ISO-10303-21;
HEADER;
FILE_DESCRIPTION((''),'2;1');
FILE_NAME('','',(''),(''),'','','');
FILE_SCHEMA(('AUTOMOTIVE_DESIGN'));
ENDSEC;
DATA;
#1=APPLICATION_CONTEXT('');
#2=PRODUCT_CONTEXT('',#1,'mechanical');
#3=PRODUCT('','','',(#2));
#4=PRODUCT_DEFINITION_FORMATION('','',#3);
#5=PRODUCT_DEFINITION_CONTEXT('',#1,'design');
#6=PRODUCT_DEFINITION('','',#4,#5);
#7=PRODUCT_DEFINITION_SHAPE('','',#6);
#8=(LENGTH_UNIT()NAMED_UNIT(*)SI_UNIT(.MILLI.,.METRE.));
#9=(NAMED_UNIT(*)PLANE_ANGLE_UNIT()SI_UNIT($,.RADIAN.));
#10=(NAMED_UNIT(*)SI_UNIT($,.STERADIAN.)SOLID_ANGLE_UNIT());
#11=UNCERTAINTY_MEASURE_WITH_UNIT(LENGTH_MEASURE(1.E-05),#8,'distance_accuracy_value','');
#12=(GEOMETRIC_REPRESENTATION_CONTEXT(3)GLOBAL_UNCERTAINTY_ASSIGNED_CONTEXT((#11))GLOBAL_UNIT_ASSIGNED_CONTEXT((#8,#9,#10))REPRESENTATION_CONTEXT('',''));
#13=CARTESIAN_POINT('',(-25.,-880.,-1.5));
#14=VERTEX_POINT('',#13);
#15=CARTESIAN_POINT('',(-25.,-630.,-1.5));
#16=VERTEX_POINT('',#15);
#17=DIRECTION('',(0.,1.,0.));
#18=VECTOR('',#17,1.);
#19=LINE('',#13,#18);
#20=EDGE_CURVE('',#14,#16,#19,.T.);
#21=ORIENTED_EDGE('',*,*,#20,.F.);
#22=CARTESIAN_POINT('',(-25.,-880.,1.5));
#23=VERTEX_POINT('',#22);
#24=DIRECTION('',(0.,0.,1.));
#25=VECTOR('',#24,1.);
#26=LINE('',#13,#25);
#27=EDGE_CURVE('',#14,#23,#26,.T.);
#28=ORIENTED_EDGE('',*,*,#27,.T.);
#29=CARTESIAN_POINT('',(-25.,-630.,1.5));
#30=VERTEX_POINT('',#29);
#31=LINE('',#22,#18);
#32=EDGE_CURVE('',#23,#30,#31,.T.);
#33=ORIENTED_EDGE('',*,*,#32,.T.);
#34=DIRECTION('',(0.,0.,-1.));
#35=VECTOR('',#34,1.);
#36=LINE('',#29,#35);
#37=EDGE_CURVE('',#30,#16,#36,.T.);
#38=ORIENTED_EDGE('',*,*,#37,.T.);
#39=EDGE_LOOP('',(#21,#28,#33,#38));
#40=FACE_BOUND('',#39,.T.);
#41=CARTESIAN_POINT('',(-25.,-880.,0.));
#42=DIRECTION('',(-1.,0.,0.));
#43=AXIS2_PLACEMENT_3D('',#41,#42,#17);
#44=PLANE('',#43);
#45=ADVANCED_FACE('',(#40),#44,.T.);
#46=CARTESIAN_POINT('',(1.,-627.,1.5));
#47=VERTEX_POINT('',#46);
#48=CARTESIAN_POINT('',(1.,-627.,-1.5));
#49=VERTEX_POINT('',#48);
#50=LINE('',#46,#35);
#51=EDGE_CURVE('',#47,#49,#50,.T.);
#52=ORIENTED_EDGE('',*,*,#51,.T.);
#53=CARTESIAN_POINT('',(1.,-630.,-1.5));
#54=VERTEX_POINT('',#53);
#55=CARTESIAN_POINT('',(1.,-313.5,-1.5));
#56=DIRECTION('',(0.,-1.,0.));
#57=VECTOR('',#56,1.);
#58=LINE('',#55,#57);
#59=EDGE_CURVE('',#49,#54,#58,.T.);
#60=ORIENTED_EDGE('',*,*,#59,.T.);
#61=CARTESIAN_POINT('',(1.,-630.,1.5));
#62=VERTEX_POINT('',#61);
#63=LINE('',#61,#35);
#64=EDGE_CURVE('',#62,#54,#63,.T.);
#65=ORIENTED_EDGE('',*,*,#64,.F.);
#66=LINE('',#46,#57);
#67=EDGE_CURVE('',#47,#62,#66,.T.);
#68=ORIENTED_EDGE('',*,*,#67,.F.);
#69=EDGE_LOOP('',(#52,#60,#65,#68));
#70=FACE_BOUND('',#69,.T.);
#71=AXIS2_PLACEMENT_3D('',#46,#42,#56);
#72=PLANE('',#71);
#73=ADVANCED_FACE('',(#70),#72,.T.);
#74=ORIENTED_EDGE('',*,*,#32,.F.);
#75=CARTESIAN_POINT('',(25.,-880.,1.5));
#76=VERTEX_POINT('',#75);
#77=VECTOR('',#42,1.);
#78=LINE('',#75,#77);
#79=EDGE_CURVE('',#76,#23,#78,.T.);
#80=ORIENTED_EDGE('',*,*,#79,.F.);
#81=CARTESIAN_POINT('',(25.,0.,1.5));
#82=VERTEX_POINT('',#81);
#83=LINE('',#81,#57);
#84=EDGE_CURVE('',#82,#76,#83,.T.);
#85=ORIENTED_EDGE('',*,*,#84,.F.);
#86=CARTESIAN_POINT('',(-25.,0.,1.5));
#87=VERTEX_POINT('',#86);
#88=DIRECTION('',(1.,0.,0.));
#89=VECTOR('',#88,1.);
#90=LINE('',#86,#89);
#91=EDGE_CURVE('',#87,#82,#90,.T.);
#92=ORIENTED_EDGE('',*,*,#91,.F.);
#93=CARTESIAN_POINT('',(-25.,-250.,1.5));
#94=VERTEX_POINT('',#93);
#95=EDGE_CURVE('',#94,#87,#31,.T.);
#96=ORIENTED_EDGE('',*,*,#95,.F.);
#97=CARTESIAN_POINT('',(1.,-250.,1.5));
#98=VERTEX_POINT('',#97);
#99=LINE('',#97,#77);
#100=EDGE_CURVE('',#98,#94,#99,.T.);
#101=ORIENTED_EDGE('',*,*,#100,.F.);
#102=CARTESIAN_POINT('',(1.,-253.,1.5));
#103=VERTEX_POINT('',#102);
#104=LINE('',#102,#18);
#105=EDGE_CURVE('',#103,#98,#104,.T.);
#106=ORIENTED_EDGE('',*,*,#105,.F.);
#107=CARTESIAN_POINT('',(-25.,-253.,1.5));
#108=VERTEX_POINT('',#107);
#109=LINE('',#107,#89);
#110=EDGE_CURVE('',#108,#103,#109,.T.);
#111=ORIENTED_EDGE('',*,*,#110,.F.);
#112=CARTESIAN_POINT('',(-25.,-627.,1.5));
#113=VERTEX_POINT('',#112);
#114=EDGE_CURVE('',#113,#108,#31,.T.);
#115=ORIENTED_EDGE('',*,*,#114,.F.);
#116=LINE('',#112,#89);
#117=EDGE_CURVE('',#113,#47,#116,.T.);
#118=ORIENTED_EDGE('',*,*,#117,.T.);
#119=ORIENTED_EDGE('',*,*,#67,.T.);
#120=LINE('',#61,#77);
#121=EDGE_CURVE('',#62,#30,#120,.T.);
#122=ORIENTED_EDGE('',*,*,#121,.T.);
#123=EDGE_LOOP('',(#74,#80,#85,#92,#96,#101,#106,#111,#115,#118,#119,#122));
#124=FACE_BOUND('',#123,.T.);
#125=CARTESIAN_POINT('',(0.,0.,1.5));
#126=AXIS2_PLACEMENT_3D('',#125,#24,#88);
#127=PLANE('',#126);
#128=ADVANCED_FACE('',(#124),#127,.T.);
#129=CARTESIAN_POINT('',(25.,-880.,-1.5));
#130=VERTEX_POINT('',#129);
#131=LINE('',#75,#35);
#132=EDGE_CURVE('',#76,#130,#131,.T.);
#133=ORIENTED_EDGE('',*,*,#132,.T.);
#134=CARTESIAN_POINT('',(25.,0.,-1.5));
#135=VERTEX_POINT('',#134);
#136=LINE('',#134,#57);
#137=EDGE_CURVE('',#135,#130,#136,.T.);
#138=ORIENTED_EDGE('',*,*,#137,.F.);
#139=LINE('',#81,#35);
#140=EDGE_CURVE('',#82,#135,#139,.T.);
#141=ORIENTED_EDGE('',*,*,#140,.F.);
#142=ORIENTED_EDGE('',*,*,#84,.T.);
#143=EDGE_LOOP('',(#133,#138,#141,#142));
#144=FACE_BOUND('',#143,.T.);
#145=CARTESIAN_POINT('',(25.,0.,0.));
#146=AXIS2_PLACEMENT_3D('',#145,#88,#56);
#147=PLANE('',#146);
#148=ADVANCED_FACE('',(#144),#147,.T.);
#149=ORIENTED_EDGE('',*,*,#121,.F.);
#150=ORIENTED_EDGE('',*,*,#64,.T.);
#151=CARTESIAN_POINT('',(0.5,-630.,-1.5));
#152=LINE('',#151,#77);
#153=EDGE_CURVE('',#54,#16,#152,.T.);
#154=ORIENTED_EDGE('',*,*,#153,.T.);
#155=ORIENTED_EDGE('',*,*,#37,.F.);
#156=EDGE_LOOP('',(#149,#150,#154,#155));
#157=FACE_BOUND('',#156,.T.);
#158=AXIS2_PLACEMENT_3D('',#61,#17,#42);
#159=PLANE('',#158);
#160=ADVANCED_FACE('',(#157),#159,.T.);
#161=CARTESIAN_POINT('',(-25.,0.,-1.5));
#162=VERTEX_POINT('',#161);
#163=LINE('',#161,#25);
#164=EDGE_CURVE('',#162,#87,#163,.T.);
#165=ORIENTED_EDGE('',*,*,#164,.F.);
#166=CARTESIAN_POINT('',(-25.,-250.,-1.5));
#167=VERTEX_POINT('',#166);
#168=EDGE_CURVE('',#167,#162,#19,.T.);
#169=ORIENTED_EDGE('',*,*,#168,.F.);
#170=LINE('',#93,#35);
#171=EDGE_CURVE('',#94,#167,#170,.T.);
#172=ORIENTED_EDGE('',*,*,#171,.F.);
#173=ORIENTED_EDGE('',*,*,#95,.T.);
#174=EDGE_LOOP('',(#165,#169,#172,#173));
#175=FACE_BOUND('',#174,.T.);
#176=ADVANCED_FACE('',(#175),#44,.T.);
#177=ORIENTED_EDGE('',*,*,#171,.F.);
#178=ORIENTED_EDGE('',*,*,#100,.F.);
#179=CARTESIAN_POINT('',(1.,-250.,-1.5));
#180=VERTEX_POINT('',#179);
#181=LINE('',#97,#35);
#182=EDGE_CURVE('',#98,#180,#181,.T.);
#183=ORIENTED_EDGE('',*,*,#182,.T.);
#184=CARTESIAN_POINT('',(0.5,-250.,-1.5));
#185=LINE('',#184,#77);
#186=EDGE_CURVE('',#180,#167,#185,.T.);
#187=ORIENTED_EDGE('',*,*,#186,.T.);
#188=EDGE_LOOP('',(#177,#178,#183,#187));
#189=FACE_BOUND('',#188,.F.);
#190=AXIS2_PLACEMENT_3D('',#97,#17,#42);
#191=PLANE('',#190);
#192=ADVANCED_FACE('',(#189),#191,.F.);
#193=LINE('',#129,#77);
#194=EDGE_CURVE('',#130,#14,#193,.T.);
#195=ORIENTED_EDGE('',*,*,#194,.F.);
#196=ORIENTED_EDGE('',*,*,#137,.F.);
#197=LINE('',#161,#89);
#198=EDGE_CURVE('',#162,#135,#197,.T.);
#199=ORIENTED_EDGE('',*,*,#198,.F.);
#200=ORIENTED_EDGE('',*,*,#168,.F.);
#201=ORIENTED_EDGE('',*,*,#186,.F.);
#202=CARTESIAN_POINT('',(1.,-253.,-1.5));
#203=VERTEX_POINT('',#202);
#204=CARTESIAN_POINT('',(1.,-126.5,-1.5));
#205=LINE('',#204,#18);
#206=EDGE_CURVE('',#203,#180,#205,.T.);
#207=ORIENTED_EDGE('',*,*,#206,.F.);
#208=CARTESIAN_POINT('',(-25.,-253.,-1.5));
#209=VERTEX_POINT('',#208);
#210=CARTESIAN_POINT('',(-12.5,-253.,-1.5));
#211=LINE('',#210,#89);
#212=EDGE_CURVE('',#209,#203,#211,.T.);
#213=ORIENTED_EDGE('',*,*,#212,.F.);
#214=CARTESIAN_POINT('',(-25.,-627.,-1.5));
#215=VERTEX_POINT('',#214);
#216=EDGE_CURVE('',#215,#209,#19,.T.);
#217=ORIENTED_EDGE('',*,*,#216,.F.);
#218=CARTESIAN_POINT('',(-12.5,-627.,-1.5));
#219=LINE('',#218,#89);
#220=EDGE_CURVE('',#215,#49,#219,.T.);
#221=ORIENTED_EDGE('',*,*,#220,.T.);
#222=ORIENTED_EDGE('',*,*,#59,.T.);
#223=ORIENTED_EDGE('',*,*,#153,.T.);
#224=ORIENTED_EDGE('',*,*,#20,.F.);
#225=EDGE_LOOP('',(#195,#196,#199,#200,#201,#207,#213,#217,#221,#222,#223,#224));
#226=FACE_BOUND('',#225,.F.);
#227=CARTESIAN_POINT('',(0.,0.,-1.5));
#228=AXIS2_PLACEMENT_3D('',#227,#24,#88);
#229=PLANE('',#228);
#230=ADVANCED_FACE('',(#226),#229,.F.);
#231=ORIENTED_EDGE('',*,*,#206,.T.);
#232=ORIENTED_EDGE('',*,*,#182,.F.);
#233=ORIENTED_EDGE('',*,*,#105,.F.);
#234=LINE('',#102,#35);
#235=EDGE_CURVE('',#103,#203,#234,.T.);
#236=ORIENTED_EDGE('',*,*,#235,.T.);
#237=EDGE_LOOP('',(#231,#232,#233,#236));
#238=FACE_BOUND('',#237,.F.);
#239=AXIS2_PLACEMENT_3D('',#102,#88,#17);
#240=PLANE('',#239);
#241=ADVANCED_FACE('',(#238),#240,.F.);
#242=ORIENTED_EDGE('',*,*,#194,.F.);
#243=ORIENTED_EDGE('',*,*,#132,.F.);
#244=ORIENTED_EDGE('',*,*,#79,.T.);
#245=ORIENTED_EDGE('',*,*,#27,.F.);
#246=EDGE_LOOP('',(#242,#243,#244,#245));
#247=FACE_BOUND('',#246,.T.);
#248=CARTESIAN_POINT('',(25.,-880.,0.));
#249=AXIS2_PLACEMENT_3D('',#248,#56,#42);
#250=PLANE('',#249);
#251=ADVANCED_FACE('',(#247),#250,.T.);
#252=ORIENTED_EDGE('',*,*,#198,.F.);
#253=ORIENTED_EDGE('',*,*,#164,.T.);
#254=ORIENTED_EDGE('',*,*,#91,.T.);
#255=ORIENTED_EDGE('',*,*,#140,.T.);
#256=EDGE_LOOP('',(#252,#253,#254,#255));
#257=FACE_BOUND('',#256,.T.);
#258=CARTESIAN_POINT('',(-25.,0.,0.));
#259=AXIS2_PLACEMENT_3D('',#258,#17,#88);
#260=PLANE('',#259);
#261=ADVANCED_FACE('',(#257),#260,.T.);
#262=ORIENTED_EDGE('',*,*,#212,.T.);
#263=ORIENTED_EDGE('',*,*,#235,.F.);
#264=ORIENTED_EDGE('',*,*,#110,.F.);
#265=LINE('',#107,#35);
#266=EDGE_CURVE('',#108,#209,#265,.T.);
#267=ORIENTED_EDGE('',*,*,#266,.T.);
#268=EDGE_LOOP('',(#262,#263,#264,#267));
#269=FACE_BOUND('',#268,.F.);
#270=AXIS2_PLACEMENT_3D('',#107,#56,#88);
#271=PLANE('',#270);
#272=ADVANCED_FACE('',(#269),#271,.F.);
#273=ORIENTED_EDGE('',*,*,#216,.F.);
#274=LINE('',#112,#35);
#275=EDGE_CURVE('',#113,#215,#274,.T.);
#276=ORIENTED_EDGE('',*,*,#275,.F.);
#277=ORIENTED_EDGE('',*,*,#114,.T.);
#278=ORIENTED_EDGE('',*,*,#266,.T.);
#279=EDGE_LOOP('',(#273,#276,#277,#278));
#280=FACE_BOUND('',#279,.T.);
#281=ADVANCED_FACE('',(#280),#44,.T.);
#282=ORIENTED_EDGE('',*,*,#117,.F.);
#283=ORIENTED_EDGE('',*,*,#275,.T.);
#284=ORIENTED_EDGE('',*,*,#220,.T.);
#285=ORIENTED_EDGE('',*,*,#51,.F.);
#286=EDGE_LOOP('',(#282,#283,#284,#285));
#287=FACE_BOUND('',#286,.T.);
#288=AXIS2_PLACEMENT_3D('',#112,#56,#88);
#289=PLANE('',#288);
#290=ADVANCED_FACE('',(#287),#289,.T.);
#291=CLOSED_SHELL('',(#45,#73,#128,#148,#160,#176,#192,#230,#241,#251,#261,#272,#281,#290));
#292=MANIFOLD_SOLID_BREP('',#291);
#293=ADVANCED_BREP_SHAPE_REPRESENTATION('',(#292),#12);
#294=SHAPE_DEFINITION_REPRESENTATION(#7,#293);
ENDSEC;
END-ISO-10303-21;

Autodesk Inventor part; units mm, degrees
ref_plane "YZ Plane" through (0, 0, 0) normal (1, 0, 0) x (0, 1, 0)
ref_plane "XZ Plane" through (0, 0, 0) normal (0, 1, 0) x (-1, 0, 0)
ref_plane "XY Plane" through (0, 0, 0) normal (0, 0, 1) x (1, 0, 0)
sketch "Sketch1" plane through (0, 0, 0) normal (0, 0, 1) x (1, 0, 0)
  line L0 (-25, 0) -> (25, 0)
  line L1 (25, 0) -> (25, -880)
  line L2 (25, -880) -> (-25, -880)
  line L3 (-25, -880) -> (-25, 0)
  point P0 (0, 0)
  point P1 (0, 0)
  point P2 (-25, -1153.2713)
  dimension "d0" = 50
  dimension "d1" = 880
extrude "Plate1" add sketch "Sketch1" along normal mid plane 3
sketch "Sketch2" plane through (0, 0, 1.5) normal (0, 0, 1) x (1, 0, 0)
  line L0 (-25, -627) -> (1, -627)
  line L1 (1, -627) -> (1, -630)
  line L2 (1, -630) -> (-25, -630)
  line L3 (-25, -630) -> (-25, -627)
  line L4 (-25, -880) -> (-25, 0) projected
  line L5 (-25, -253) -> (1, -253)
  line L6 (1, -253) -> (1, -250)
  line L7 (1, -250) -> (-25, -250)
  line L8 (-25, -250) -> (-25, -253)
  point P0 (0, 0)
  point P1 (-25, -628.5)
  point P2 (-25, -440)
  point P3 (-25, -251.5)
  point P4 (-25, -440)
  point P5 (-25, -250)
  dimension "d15" = 188.5
  dimension "d16" = 3
  dimension "d17" = 26
  dimension "d18" = 188.5
  dimension "d19" = 26
  dimension "d20" = 3
extrude "Extrusion1" cut sketch "Sketch2" against normal through all
equation "\"d18\" = d15"
equation "\"d20\" = d16"
equation "\"d2\" = Thickness"
equation "\"BendReliefWidth\" = Thickness"
equation "\"BendReliefDepth\" = 0.5 * Thickness"
equation "\"CornerReliefSize\" = 4 * Thickness"
equation "\"MinimumRemnant\" = 2 * Thickness"
equation "\"TransitionRadius\" = BendRadius"
equation "\"JacobiRadiusSize\" = BendRadius"
equation "\"GapSize\" = Thickness"
equation "\"Thickness\" = 3"
equation "\"BendRadius\" = 5"
properties part number "MSC 605 rib cone exit back" material "Stainless Steel"
